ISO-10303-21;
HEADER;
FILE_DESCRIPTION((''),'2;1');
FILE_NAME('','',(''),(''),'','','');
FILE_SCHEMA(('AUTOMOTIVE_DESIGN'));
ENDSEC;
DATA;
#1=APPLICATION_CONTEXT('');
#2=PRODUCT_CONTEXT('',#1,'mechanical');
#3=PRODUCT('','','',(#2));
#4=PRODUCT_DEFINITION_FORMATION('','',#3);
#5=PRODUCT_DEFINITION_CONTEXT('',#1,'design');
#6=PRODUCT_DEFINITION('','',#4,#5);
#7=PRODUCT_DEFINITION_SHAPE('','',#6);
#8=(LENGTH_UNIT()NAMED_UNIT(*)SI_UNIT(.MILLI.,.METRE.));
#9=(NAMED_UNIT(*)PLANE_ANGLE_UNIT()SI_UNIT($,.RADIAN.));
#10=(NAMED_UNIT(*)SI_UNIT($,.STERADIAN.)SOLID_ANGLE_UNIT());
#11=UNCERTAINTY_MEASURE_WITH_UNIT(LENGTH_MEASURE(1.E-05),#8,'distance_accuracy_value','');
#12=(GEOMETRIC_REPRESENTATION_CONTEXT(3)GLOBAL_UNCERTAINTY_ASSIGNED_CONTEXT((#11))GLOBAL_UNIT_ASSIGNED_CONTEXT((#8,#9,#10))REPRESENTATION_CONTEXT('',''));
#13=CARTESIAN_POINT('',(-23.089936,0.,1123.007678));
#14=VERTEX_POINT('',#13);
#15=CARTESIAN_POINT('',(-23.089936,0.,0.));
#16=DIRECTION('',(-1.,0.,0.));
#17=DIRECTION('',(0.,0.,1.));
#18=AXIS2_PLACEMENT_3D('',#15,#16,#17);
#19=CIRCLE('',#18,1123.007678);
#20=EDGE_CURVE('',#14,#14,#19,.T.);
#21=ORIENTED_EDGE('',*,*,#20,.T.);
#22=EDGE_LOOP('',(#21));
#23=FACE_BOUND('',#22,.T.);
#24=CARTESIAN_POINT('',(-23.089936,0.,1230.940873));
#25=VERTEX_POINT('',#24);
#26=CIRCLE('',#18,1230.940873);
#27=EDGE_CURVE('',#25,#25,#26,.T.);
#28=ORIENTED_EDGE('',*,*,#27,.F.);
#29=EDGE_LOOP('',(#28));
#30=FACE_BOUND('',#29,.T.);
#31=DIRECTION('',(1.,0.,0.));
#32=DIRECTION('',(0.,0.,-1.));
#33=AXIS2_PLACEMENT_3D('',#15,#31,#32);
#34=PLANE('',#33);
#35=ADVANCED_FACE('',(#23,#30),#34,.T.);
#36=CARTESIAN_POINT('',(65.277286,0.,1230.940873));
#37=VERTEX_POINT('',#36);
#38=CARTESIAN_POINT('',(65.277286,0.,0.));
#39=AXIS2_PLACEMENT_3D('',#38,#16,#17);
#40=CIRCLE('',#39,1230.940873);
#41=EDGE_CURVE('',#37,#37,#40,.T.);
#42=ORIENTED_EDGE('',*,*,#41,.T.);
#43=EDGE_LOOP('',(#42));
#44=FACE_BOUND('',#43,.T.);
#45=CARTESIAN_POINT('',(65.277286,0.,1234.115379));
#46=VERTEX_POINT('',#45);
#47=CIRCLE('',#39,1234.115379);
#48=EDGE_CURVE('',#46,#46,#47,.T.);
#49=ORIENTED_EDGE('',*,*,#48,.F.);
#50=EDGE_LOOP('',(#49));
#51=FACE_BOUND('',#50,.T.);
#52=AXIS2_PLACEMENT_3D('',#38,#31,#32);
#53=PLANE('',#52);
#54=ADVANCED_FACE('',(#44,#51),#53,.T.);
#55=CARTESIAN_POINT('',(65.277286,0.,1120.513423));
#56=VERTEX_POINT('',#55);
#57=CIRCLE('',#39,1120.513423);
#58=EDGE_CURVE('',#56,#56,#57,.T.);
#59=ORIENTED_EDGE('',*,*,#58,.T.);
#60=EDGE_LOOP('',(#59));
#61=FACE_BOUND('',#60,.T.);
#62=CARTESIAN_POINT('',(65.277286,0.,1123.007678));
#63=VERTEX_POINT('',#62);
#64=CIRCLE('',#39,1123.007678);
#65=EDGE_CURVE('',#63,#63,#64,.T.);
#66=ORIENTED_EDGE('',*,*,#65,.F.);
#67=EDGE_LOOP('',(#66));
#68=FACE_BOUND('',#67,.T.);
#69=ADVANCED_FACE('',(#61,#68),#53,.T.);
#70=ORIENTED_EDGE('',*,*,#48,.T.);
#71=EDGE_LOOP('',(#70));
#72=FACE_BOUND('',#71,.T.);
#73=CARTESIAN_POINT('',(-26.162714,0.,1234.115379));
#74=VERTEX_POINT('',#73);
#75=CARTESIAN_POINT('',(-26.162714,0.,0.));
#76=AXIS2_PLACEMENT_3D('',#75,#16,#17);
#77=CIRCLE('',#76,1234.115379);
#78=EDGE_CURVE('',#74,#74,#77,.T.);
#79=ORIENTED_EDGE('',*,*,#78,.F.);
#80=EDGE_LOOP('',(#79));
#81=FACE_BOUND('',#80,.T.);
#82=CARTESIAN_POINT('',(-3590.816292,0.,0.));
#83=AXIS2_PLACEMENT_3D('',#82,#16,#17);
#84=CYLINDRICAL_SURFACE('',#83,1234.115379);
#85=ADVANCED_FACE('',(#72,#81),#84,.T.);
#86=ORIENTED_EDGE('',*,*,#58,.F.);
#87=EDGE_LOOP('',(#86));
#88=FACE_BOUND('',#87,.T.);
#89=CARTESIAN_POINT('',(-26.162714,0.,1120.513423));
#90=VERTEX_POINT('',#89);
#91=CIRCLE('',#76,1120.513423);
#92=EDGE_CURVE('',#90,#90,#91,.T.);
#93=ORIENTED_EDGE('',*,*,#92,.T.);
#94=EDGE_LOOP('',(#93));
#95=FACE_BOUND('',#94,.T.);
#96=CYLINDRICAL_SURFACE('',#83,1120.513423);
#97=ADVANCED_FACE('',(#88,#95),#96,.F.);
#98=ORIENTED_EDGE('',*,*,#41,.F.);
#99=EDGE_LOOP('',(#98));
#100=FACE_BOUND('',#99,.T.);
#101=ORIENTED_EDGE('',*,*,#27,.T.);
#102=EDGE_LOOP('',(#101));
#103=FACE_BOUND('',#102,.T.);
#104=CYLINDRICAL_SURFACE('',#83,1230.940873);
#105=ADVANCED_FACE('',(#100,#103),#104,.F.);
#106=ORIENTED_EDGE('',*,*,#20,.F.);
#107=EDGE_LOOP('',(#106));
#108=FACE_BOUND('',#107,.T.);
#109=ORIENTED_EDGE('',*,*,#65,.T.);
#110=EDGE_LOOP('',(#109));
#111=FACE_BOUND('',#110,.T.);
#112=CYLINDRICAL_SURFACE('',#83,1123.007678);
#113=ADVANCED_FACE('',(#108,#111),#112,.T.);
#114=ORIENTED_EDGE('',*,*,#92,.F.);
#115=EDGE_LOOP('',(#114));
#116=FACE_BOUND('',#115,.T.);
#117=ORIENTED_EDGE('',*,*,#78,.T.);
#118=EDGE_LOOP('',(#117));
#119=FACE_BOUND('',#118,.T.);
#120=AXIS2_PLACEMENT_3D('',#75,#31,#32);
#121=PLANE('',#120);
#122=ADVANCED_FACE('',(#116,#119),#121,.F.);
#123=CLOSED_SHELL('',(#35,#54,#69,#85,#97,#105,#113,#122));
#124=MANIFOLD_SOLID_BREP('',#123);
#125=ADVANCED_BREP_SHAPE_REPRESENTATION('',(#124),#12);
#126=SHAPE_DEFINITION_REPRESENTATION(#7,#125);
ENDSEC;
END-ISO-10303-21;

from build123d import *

# Parameters (mm, degrees)
SCALE1_SCALE = 12


with BuildPart() as part:
    # Sketch1 → Revolve1 (revolve)
    with BuildSketch(Plane.XY, mode=Mode.PRIVATE) as revolve1_sk:
        Polygon((0.256064819, 102.578406094), (0.256064819, 93.583973152), (7.62, 93.583973152), (7.62, 93.376118609), (0, 93.376118609), (0, 102.842948239), (7.62, 102.842948239), (7.62, 102.578406094), align=None)
    revolve(revolve1_sk.sketch.rotate(Axis((-297.054464827, 0, 0), (1, 0, 0)), 90), axis=Axis((-297.054464827, 0, 0), (1, 0, 0)))


with BuildPart() as part_1:
    # Scale1: scaled about (2.378428564, 0, 0)
    add(part.part.scale(SCALE1_SCALE).moved(Location((-26.162714204, 0, 0))))


solid = part_1.part
